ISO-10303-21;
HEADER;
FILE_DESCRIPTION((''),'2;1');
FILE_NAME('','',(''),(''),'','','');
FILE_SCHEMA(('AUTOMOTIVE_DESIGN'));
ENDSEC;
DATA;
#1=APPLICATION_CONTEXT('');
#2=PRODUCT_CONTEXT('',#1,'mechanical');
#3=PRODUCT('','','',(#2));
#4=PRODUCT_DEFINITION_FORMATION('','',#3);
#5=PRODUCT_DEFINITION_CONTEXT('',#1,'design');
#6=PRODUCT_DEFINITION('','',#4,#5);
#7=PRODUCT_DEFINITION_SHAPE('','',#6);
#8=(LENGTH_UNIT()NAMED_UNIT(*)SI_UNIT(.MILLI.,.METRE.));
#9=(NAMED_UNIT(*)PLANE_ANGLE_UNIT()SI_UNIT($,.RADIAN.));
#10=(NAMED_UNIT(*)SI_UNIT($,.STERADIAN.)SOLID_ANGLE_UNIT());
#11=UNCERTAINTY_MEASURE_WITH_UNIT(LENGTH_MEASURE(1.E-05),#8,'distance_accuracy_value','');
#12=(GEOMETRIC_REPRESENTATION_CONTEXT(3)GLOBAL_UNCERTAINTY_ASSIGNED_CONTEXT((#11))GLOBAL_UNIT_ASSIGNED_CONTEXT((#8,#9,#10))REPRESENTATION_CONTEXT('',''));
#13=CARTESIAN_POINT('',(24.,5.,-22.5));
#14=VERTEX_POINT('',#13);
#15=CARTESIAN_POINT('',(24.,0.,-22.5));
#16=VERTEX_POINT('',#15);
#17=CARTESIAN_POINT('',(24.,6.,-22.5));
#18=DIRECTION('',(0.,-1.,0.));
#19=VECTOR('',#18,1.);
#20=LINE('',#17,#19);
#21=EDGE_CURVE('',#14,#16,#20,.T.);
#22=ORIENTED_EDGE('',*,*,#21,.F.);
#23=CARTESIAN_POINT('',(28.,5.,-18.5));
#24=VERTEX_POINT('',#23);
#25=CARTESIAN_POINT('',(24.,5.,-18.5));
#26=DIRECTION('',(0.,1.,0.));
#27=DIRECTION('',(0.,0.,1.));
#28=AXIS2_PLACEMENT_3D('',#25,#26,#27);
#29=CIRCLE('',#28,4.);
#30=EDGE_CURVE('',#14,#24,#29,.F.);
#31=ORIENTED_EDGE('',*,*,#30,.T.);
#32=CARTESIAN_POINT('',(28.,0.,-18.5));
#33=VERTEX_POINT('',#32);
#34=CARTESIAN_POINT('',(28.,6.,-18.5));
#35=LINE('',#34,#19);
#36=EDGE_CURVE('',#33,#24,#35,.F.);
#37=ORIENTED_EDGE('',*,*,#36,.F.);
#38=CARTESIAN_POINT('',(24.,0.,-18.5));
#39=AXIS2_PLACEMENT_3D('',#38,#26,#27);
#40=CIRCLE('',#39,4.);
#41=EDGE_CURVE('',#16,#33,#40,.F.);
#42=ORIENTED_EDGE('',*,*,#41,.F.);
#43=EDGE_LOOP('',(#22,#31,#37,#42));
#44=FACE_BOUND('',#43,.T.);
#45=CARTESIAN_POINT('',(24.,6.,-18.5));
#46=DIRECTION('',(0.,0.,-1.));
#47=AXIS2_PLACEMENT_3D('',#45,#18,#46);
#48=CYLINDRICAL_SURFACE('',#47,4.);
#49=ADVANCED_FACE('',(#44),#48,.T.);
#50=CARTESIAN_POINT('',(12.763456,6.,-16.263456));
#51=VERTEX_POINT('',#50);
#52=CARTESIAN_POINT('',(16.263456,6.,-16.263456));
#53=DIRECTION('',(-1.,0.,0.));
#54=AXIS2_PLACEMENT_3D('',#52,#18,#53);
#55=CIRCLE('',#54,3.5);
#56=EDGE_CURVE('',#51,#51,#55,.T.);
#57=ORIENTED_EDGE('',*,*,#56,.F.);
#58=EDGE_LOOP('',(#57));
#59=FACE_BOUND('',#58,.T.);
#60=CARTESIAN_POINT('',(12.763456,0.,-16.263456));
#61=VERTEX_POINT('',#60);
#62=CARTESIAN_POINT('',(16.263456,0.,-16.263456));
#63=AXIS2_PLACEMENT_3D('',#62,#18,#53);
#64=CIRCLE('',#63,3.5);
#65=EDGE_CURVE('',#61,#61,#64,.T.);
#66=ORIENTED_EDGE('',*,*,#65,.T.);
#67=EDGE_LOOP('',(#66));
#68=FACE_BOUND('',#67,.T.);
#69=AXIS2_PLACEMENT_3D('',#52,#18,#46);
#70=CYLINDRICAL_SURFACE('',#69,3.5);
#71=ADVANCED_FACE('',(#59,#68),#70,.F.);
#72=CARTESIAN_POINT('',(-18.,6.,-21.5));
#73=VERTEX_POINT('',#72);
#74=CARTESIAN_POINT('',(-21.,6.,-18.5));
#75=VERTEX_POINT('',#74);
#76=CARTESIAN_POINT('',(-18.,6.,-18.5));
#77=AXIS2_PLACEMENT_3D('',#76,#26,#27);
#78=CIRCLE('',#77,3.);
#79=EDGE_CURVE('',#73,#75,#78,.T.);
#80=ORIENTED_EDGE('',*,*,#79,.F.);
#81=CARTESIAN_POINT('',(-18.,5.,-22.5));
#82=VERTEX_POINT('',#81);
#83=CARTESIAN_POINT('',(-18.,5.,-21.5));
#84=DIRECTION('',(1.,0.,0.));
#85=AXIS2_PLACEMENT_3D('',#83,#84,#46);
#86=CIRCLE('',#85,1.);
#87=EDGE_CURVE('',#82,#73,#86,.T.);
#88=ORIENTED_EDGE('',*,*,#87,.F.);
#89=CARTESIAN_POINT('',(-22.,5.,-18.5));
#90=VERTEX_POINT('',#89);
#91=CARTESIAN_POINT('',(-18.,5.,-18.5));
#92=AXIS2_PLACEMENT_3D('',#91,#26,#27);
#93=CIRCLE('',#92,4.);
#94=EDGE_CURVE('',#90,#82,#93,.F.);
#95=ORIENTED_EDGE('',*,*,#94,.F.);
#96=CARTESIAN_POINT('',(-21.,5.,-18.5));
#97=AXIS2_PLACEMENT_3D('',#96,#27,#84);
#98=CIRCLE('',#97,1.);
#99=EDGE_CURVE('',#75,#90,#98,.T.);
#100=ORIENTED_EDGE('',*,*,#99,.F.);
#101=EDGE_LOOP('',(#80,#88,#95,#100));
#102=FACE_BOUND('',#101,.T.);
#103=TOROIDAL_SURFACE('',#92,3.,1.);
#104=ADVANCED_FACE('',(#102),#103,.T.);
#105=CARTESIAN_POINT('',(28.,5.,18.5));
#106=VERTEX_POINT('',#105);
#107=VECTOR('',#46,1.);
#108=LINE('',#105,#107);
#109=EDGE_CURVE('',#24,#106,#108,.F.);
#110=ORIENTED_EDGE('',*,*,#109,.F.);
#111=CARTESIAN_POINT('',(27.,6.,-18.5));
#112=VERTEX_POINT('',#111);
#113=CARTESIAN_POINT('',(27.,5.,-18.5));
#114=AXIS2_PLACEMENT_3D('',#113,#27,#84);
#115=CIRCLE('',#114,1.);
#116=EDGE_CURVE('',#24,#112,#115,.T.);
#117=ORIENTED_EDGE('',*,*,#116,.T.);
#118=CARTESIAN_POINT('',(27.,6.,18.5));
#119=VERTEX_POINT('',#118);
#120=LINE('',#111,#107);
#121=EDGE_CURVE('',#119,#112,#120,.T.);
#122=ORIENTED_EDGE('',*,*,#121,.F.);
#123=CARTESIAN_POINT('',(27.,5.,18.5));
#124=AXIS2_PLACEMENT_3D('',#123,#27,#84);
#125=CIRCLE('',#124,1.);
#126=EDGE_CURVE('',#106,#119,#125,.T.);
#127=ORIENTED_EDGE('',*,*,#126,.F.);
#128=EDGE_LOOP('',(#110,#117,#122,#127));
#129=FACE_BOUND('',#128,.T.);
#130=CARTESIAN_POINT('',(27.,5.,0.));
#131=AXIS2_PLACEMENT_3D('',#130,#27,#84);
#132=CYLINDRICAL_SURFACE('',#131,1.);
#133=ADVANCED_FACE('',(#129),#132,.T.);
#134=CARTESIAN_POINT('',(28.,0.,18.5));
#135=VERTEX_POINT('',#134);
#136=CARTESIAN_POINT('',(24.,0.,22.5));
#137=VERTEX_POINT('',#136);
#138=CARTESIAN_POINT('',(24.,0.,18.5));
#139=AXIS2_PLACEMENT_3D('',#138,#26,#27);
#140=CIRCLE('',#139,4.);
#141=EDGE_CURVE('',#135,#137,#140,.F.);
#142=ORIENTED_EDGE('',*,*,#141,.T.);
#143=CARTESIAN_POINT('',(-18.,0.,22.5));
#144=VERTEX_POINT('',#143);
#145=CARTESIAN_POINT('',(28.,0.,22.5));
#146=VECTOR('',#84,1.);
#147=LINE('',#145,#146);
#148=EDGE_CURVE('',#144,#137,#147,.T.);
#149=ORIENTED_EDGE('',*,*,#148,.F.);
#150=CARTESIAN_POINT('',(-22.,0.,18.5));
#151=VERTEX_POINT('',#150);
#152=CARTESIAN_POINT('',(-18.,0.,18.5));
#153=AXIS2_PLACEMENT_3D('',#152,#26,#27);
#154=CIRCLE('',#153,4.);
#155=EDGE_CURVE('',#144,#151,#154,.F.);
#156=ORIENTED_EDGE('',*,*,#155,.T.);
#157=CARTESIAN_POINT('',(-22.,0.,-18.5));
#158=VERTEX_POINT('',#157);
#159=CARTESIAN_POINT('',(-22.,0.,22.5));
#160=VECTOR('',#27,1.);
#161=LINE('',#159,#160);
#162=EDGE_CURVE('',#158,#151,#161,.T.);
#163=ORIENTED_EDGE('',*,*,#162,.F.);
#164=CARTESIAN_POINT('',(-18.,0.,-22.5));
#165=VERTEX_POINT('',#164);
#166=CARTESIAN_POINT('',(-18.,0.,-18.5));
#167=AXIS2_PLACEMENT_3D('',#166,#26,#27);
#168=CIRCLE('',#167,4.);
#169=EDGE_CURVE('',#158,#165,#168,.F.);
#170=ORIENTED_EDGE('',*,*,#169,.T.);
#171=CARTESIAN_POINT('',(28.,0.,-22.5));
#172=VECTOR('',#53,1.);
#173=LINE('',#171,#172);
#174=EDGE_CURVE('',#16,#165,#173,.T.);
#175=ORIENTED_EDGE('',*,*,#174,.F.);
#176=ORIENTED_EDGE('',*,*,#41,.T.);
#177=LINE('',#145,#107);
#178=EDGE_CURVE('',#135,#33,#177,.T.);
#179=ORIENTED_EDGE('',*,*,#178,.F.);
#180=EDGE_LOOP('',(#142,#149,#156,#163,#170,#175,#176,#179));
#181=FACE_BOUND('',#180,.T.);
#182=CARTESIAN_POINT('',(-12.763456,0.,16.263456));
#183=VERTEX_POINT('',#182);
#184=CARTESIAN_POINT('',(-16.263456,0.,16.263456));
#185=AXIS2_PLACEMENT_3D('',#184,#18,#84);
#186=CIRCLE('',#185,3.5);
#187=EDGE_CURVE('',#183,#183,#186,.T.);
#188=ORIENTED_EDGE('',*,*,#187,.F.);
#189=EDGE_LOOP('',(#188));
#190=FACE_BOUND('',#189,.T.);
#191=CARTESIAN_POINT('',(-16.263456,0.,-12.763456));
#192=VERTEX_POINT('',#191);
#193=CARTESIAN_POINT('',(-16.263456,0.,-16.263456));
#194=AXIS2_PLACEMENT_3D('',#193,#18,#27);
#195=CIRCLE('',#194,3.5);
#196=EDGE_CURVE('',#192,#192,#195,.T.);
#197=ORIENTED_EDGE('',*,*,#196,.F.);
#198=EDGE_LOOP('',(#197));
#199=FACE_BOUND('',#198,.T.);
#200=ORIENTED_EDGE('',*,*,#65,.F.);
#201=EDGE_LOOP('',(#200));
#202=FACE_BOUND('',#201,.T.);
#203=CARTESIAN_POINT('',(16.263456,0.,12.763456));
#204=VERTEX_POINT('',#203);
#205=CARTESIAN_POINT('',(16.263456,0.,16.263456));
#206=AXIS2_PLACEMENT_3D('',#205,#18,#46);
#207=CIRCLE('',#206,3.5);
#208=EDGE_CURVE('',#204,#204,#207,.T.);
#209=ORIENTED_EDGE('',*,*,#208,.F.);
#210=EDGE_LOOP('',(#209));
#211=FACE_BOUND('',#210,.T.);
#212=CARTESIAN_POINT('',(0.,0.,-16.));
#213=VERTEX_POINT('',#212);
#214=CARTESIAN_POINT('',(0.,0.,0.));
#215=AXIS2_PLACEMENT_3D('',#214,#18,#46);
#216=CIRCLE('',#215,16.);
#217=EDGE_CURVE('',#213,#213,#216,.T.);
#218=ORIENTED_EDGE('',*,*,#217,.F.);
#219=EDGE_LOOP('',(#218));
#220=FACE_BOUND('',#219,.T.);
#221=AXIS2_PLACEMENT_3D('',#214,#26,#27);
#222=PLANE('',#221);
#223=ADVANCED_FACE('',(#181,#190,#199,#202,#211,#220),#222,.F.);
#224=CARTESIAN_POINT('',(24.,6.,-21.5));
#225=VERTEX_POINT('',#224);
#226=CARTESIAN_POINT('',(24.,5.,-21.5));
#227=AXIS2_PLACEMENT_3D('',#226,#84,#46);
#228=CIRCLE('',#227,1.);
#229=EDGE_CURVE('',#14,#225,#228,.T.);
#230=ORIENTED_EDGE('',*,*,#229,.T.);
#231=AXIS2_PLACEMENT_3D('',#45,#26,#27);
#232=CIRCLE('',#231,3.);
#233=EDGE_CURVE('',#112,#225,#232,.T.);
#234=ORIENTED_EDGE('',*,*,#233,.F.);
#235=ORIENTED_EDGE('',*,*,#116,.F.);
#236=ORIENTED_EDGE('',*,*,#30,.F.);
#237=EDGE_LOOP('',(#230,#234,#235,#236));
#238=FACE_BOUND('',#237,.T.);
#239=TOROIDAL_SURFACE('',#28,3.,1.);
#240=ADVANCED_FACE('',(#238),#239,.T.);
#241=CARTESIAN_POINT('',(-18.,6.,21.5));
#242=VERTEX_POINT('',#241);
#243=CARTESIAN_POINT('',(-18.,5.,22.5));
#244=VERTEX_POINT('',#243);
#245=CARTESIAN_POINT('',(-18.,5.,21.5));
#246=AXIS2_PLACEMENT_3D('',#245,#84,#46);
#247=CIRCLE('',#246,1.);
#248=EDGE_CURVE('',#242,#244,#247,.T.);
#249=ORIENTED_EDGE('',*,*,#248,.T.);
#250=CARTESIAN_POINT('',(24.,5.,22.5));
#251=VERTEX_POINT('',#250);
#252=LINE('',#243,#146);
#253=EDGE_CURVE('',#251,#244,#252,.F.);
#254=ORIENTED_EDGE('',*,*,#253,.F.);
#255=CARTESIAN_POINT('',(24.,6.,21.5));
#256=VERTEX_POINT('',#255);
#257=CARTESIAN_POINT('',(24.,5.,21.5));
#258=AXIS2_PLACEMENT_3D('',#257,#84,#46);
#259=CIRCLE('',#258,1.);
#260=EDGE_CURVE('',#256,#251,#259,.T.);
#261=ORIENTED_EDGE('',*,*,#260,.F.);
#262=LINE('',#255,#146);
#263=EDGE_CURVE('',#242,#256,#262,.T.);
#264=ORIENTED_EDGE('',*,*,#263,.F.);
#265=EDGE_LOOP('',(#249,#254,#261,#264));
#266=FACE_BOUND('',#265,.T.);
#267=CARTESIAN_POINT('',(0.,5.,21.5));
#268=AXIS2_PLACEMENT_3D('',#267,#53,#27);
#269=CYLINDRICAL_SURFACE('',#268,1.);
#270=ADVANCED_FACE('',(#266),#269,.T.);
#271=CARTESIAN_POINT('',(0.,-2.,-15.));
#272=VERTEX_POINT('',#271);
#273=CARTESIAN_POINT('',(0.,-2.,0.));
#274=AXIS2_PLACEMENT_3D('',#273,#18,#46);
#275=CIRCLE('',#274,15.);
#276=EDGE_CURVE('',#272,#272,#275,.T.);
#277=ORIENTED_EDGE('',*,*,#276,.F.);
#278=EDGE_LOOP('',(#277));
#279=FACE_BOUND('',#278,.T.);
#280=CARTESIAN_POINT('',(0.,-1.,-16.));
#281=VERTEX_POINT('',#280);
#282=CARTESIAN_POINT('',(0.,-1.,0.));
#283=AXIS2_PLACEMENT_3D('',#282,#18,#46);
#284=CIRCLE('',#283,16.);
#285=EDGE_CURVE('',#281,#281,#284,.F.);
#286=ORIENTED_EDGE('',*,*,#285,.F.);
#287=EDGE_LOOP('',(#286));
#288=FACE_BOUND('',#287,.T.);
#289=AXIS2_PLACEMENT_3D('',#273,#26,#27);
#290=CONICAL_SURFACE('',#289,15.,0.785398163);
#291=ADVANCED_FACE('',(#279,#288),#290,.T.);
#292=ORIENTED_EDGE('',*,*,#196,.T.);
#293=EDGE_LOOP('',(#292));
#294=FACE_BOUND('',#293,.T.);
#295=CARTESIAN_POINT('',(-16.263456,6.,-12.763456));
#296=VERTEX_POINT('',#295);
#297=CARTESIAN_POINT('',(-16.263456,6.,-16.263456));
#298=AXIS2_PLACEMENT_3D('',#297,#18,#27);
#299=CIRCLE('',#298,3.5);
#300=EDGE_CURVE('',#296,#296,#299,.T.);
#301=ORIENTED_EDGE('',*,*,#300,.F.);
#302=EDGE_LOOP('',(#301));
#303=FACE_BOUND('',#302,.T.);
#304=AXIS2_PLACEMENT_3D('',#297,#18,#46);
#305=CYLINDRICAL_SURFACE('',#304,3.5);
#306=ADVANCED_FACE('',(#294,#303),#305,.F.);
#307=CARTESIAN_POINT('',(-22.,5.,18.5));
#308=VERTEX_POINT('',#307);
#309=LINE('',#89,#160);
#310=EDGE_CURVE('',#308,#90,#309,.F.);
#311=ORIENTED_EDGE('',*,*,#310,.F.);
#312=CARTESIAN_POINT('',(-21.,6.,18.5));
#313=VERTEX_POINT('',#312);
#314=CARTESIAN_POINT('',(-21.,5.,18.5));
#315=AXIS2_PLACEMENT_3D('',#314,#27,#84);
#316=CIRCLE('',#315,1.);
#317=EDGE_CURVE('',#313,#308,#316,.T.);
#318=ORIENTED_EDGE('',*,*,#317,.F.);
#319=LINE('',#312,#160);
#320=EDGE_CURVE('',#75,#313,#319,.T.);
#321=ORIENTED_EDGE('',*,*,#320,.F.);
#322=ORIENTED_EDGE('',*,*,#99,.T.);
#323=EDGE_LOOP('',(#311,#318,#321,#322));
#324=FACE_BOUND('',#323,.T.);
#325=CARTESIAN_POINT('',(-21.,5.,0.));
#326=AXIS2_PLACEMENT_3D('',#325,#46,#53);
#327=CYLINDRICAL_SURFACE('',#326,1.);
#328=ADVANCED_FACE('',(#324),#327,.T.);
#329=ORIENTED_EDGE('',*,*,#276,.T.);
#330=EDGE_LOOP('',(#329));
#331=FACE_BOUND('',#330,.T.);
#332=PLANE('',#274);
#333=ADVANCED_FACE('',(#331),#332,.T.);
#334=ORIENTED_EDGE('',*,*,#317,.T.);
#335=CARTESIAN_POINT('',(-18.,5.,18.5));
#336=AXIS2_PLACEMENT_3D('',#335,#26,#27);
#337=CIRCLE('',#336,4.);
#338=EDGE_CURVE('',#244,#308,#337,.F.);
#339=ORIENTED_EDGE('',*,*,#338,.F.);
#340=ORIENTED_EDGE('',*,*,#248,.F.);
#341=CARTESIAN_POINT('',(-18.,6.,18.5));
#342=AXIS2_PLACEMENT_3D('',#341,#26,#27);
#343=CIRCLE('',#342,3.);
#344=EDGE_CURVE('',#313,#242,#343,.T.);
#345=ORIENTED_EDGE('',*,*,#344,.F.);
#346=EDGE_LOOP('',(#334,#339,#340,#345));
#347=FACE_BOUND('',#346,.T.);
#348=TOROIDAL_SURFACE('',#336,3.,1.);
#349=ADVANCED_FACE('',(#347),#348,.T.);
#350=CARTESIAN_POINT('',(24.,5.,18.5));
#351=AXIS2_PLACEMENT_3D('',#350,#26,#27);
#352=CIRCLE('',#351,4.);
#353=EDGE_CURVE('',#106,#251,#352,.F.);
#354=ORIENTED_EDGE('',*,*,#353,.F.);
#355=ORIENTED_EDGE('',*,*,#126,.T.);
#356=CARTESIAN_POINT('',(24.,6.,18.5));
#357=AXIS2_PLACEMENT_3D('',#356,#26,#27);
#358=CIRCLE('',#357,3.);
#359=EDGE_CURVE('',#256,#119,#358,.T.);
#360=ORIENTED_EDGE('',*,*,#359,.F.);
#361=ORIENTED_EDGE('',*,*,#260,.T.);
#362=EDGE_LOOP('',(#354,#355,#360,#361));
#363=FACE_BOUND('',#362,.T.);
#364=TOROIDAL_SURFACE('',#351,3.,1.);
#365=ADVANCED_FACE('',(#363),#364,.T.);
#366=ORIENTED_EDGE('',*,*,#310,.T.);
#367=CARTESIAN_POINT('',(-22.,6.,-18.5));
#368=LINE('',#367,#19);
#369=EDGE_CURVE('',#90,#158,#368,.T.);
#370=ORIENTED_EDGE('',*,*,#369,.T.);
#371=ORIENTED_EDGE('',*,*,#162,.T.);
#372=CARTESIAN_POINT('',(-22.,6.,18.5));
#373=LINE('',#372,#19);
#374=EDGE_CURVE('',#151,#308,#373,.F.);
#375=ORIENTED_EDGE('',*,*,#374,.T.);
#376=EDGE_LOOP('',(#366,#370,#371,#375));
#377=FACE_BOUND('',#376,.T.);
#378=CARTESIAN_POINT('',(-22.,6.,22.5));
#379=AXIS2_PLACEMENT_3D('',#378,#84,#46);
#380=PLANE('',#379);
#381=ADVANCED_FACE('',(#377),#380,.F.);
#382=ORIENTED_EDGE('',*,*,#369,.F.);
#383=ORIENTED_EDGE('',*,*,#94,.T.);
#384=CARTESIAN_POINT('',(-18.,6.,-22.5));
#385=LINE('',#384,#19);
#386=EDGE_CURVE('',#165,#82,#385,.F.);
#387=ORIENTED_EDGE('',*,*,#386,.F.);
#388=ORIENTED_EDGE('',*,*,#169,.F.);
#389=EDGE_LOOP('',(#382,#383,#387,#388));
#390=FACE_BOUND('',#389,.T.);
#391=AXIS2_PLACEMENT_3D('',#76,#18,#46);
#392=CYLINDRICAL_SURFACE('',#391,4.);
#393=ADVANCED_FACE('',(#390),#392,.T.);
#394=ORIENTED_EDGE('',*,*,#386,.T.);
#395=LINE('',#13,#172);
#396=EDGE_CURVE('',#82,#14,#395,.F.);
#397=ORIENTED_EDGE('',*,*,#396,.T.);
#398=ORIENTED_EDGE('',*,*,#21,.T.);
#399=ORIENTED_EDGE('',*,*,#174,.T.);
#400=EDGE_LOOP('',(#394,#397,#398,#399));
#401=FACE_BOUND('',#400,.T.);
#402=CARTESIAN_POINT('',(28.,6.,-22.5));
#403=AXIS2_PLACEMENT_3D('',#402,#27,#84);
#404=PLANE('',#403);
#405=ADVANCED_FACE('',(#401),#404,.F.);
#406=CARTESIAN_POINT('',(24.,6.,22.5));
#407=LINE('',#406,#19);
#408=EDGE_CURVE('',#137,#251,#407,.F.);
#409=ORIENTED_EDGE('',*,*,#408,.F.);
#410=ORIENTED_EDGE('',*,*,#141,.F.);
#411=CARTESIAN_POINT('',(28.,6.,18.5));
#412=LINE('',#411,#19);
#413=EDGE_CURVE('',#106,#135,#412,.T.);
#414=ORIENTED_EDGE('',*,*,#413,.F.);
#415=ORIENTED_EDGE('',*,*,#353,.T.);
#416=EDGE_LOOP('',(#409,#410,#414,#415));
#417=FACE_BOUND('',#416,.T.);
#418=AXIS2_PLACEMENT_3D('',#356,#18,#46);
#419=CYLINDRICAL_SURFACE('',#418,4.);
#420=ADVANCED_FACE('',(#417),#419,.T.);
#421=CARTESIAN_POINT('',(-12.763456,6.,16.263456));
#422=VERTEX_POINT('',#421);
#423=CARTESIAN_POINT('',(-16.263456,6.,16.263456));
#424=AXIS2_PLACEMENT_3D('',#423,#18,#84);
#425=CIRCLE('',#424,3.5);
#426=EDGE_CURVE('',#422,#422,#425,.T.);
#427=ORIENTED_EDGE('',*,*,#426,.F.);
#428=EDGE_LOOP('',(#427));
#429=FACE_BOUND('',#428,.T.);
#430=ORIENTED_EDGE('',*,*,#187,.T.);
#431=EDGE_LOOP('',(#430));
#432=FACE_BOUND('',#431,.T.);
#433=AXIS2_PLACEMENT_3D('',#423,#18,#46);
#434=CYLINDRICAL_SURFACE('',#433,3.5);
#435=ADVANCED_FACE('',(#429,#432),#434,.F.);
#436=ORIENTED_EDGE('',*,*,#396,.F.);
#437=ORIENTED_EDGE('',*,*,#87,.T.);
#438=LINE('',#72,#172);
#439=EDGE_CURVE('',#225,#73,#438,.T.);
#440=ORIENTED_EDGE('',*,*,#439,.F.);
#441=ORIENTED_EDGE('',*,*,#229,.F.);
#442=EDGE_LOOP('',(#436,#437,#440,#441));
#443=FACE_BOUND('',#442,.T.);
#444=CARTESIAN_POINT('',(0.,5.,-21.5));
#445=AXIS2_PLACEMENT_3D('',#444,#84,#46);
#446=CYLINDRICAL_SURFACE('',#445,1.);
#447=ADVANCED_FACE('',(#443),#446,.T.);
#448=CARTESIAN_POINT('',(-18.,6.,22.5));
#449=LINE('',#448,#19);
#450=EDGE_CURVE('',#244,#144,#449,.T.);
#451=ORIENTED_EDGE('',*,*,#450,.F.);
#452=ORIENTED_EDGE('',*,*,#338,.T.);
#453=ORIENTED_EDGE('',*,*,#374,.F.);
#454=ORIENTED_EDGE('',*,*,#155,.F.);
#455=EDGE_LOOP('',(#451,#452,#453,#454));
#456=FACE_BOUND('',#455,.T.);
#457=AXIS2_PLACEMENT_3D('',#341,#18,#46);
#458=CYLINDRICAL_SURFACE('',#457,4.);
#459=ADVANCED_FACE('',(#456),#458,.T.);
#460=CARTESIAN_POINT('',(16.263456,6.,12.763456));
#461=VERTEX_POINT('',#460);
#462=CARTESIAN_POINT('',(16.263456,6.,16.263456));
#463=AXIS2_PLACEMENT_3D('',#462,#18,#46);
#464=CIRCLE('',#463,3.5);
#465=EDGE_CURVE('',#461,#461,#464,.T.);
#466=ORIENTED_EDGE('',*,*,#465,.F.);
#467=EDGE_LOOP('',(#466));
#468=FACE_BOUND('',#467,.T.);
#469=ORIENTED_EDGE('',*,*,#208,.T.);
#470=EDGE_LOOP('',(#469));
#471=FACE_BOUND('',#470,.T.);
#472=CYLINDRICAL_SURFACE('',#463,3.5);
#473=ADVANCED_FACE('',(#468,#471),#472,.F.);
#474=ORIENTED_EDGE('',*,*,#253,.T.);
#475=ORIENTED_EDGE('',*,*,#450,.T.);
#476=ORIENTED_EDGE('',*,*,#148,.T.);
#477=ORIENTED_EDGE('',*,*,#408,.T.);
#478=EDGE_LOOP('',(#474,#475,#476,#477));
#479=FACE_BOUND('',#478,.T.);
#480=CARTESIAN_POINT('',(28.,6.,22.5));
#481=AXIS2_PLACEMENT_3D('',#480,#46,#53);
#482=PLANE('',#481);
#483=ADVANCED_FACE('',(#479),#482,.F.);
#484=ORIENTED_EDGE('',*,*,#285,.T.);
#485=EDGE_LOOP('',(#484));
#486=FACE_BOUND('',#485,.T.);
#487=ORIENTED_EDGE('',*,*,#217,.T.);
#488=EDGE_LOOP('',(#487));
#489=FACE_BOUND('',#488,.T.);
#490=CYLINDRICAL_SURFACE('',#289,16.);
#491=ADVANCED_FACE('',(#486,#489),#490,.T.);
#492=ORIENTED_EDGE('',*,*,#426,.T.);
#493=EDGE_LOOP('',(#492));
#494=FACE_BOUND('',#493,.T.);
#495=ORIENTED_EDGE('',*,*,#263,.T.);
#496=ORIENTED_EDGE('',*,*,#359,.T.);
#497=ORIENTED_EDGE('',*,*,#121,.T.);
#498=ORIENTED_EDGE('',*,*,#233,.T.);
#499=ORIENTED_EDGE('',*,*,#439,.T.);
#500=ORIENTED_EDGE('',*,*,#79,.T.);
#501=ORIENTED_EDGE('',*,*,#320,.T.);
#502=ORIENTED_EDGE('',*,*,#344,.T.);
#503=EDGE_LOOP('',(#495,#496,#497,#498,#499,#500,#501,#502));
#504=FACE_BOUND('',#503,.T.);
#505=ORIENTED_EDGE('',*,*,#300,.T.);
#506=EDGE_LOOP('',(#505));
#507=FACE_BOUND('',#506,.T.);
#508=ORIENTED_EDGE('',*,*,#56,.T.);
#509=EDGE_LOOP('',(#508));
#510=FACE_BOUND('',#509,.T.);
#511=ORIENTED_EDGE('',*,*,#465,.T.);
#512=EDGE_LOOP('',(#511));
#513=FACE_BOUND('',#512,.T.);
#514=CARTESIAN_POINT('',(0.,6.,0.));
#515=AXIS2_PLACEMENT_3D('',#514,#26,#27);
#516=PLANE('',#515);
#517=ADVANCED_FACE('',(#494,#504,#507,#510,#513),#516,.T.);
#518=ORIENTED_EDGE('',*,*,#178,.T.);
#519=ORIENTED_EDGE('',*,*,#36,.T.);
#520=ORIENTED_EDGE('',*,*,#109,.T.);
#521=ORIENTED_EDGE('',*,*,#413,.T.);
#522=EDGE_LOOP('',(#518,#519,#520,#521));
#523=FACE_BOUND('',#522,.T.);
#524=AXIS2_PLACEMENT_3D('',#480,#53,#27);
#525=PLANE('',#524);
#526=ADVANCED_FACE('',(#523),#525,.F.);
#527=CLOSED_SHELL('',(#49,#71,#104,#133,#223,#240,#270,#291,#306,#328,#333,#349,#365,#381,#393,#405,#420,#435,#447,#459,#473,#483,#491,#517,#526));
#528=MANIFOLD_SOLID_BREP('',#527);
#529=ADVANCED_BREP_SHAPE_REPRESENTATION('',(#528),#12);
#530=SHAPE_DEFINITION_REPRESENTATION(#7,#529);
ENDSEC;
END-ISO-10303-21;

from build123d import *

# Parameters (mm, degrees)
SKETCH1_W           = 50
SKETCH1_H           = 45
BODY_DEPTH          = 6
SKETCH4_R           = 16
ROUND_2_DEPTH       = 2
F_1X45_CHAMFER_SIZE = 1
SKETCH5_R           = 3.5
HOLE_1_DEPTH        = 7
HOLES_2_4_COUNT     = 4
R4_FILLETS_R        = 4
R1_FILLET_R         = 1


with BuildPart() as part:
    # Sketch1 → Body (new body)
    with BuildSketch(Plane(origin=(0, 0, 0), x_dir=(1, 0, 0), z_dir=(0, 1, 0))):
        with Locations((3, 0)):
            Rectangle(SKETCH1_W, SKETCH1_H)
    extrude(amount=BODY_DEPTH)

    # Sketch4 → Round 2 (add)
    with BuildSketch(Plane.XZ):
        Circle(SKETCH4_R)
    extrude(amount=ROUND_2_DEPTH)

    # 1x45 Chamfer
    f_1x45_chamfer_edges = [part.edges().sort_by_distance(p)[0] for p in [
        (-16, -2, 0),
    ]]
    chamfer(f_1x45_chamfer_edges, length=F_1X45_CHAMFER_SIZE)

    # Sketch5 → Hole 1 (cut, through all)
    with BuildSketch(Plane.XZ):
        with Locations((16.263455967, 16.263455967)):
            Circle(SKETCH5_R)
    hole_1 = extrude(amount=-HOLE_1_DEPTH, mode=Mode.SUBTRACT)

    # Holes 2-4: Hole 1 ×4 about axis
    holes_2_4_axis = Axis((0, 0, 0), (0, 1, 0))
    for i in range(1, HOLES_2_4_COUNT):
        add(hole_1.rotate(holes_2_4_axis, i * 360 / HOLES_2_4_COUNT), mode=Mode.SUBTRACT)

    # R4 Fillets
    r4_fillets_edges = [part.edges().sort_by_distance(p)[0] for p in [
        (-22, 3, -22.5),
        (28, 3, -22.5),
        (28, 3, 22.5),
        (-22, 3, 22.5),
    ]]
    fillet(r4_fillets_edges, radius=R4_FILLETS_R)

    # R1 Fillet
    r1_fillet_edges = [part.edges().sort_by_distance(p)[0] for p in [
        (-22, 6, 0),
        (3, 6, -22.5),
        (3, 6, 22.5),
        (28, 6, 0),
        (26.828427125, 6, 21.328427125),
        (-20.828427125, 6, 21.328427125),
        (26.828427125, 6, -21.328427125),
        (-20.828427125, 6, -21.328427125),
    ]]
    fillet(r1_fillet_edges, radius=R1_FILLET_R)


solid = part.part
